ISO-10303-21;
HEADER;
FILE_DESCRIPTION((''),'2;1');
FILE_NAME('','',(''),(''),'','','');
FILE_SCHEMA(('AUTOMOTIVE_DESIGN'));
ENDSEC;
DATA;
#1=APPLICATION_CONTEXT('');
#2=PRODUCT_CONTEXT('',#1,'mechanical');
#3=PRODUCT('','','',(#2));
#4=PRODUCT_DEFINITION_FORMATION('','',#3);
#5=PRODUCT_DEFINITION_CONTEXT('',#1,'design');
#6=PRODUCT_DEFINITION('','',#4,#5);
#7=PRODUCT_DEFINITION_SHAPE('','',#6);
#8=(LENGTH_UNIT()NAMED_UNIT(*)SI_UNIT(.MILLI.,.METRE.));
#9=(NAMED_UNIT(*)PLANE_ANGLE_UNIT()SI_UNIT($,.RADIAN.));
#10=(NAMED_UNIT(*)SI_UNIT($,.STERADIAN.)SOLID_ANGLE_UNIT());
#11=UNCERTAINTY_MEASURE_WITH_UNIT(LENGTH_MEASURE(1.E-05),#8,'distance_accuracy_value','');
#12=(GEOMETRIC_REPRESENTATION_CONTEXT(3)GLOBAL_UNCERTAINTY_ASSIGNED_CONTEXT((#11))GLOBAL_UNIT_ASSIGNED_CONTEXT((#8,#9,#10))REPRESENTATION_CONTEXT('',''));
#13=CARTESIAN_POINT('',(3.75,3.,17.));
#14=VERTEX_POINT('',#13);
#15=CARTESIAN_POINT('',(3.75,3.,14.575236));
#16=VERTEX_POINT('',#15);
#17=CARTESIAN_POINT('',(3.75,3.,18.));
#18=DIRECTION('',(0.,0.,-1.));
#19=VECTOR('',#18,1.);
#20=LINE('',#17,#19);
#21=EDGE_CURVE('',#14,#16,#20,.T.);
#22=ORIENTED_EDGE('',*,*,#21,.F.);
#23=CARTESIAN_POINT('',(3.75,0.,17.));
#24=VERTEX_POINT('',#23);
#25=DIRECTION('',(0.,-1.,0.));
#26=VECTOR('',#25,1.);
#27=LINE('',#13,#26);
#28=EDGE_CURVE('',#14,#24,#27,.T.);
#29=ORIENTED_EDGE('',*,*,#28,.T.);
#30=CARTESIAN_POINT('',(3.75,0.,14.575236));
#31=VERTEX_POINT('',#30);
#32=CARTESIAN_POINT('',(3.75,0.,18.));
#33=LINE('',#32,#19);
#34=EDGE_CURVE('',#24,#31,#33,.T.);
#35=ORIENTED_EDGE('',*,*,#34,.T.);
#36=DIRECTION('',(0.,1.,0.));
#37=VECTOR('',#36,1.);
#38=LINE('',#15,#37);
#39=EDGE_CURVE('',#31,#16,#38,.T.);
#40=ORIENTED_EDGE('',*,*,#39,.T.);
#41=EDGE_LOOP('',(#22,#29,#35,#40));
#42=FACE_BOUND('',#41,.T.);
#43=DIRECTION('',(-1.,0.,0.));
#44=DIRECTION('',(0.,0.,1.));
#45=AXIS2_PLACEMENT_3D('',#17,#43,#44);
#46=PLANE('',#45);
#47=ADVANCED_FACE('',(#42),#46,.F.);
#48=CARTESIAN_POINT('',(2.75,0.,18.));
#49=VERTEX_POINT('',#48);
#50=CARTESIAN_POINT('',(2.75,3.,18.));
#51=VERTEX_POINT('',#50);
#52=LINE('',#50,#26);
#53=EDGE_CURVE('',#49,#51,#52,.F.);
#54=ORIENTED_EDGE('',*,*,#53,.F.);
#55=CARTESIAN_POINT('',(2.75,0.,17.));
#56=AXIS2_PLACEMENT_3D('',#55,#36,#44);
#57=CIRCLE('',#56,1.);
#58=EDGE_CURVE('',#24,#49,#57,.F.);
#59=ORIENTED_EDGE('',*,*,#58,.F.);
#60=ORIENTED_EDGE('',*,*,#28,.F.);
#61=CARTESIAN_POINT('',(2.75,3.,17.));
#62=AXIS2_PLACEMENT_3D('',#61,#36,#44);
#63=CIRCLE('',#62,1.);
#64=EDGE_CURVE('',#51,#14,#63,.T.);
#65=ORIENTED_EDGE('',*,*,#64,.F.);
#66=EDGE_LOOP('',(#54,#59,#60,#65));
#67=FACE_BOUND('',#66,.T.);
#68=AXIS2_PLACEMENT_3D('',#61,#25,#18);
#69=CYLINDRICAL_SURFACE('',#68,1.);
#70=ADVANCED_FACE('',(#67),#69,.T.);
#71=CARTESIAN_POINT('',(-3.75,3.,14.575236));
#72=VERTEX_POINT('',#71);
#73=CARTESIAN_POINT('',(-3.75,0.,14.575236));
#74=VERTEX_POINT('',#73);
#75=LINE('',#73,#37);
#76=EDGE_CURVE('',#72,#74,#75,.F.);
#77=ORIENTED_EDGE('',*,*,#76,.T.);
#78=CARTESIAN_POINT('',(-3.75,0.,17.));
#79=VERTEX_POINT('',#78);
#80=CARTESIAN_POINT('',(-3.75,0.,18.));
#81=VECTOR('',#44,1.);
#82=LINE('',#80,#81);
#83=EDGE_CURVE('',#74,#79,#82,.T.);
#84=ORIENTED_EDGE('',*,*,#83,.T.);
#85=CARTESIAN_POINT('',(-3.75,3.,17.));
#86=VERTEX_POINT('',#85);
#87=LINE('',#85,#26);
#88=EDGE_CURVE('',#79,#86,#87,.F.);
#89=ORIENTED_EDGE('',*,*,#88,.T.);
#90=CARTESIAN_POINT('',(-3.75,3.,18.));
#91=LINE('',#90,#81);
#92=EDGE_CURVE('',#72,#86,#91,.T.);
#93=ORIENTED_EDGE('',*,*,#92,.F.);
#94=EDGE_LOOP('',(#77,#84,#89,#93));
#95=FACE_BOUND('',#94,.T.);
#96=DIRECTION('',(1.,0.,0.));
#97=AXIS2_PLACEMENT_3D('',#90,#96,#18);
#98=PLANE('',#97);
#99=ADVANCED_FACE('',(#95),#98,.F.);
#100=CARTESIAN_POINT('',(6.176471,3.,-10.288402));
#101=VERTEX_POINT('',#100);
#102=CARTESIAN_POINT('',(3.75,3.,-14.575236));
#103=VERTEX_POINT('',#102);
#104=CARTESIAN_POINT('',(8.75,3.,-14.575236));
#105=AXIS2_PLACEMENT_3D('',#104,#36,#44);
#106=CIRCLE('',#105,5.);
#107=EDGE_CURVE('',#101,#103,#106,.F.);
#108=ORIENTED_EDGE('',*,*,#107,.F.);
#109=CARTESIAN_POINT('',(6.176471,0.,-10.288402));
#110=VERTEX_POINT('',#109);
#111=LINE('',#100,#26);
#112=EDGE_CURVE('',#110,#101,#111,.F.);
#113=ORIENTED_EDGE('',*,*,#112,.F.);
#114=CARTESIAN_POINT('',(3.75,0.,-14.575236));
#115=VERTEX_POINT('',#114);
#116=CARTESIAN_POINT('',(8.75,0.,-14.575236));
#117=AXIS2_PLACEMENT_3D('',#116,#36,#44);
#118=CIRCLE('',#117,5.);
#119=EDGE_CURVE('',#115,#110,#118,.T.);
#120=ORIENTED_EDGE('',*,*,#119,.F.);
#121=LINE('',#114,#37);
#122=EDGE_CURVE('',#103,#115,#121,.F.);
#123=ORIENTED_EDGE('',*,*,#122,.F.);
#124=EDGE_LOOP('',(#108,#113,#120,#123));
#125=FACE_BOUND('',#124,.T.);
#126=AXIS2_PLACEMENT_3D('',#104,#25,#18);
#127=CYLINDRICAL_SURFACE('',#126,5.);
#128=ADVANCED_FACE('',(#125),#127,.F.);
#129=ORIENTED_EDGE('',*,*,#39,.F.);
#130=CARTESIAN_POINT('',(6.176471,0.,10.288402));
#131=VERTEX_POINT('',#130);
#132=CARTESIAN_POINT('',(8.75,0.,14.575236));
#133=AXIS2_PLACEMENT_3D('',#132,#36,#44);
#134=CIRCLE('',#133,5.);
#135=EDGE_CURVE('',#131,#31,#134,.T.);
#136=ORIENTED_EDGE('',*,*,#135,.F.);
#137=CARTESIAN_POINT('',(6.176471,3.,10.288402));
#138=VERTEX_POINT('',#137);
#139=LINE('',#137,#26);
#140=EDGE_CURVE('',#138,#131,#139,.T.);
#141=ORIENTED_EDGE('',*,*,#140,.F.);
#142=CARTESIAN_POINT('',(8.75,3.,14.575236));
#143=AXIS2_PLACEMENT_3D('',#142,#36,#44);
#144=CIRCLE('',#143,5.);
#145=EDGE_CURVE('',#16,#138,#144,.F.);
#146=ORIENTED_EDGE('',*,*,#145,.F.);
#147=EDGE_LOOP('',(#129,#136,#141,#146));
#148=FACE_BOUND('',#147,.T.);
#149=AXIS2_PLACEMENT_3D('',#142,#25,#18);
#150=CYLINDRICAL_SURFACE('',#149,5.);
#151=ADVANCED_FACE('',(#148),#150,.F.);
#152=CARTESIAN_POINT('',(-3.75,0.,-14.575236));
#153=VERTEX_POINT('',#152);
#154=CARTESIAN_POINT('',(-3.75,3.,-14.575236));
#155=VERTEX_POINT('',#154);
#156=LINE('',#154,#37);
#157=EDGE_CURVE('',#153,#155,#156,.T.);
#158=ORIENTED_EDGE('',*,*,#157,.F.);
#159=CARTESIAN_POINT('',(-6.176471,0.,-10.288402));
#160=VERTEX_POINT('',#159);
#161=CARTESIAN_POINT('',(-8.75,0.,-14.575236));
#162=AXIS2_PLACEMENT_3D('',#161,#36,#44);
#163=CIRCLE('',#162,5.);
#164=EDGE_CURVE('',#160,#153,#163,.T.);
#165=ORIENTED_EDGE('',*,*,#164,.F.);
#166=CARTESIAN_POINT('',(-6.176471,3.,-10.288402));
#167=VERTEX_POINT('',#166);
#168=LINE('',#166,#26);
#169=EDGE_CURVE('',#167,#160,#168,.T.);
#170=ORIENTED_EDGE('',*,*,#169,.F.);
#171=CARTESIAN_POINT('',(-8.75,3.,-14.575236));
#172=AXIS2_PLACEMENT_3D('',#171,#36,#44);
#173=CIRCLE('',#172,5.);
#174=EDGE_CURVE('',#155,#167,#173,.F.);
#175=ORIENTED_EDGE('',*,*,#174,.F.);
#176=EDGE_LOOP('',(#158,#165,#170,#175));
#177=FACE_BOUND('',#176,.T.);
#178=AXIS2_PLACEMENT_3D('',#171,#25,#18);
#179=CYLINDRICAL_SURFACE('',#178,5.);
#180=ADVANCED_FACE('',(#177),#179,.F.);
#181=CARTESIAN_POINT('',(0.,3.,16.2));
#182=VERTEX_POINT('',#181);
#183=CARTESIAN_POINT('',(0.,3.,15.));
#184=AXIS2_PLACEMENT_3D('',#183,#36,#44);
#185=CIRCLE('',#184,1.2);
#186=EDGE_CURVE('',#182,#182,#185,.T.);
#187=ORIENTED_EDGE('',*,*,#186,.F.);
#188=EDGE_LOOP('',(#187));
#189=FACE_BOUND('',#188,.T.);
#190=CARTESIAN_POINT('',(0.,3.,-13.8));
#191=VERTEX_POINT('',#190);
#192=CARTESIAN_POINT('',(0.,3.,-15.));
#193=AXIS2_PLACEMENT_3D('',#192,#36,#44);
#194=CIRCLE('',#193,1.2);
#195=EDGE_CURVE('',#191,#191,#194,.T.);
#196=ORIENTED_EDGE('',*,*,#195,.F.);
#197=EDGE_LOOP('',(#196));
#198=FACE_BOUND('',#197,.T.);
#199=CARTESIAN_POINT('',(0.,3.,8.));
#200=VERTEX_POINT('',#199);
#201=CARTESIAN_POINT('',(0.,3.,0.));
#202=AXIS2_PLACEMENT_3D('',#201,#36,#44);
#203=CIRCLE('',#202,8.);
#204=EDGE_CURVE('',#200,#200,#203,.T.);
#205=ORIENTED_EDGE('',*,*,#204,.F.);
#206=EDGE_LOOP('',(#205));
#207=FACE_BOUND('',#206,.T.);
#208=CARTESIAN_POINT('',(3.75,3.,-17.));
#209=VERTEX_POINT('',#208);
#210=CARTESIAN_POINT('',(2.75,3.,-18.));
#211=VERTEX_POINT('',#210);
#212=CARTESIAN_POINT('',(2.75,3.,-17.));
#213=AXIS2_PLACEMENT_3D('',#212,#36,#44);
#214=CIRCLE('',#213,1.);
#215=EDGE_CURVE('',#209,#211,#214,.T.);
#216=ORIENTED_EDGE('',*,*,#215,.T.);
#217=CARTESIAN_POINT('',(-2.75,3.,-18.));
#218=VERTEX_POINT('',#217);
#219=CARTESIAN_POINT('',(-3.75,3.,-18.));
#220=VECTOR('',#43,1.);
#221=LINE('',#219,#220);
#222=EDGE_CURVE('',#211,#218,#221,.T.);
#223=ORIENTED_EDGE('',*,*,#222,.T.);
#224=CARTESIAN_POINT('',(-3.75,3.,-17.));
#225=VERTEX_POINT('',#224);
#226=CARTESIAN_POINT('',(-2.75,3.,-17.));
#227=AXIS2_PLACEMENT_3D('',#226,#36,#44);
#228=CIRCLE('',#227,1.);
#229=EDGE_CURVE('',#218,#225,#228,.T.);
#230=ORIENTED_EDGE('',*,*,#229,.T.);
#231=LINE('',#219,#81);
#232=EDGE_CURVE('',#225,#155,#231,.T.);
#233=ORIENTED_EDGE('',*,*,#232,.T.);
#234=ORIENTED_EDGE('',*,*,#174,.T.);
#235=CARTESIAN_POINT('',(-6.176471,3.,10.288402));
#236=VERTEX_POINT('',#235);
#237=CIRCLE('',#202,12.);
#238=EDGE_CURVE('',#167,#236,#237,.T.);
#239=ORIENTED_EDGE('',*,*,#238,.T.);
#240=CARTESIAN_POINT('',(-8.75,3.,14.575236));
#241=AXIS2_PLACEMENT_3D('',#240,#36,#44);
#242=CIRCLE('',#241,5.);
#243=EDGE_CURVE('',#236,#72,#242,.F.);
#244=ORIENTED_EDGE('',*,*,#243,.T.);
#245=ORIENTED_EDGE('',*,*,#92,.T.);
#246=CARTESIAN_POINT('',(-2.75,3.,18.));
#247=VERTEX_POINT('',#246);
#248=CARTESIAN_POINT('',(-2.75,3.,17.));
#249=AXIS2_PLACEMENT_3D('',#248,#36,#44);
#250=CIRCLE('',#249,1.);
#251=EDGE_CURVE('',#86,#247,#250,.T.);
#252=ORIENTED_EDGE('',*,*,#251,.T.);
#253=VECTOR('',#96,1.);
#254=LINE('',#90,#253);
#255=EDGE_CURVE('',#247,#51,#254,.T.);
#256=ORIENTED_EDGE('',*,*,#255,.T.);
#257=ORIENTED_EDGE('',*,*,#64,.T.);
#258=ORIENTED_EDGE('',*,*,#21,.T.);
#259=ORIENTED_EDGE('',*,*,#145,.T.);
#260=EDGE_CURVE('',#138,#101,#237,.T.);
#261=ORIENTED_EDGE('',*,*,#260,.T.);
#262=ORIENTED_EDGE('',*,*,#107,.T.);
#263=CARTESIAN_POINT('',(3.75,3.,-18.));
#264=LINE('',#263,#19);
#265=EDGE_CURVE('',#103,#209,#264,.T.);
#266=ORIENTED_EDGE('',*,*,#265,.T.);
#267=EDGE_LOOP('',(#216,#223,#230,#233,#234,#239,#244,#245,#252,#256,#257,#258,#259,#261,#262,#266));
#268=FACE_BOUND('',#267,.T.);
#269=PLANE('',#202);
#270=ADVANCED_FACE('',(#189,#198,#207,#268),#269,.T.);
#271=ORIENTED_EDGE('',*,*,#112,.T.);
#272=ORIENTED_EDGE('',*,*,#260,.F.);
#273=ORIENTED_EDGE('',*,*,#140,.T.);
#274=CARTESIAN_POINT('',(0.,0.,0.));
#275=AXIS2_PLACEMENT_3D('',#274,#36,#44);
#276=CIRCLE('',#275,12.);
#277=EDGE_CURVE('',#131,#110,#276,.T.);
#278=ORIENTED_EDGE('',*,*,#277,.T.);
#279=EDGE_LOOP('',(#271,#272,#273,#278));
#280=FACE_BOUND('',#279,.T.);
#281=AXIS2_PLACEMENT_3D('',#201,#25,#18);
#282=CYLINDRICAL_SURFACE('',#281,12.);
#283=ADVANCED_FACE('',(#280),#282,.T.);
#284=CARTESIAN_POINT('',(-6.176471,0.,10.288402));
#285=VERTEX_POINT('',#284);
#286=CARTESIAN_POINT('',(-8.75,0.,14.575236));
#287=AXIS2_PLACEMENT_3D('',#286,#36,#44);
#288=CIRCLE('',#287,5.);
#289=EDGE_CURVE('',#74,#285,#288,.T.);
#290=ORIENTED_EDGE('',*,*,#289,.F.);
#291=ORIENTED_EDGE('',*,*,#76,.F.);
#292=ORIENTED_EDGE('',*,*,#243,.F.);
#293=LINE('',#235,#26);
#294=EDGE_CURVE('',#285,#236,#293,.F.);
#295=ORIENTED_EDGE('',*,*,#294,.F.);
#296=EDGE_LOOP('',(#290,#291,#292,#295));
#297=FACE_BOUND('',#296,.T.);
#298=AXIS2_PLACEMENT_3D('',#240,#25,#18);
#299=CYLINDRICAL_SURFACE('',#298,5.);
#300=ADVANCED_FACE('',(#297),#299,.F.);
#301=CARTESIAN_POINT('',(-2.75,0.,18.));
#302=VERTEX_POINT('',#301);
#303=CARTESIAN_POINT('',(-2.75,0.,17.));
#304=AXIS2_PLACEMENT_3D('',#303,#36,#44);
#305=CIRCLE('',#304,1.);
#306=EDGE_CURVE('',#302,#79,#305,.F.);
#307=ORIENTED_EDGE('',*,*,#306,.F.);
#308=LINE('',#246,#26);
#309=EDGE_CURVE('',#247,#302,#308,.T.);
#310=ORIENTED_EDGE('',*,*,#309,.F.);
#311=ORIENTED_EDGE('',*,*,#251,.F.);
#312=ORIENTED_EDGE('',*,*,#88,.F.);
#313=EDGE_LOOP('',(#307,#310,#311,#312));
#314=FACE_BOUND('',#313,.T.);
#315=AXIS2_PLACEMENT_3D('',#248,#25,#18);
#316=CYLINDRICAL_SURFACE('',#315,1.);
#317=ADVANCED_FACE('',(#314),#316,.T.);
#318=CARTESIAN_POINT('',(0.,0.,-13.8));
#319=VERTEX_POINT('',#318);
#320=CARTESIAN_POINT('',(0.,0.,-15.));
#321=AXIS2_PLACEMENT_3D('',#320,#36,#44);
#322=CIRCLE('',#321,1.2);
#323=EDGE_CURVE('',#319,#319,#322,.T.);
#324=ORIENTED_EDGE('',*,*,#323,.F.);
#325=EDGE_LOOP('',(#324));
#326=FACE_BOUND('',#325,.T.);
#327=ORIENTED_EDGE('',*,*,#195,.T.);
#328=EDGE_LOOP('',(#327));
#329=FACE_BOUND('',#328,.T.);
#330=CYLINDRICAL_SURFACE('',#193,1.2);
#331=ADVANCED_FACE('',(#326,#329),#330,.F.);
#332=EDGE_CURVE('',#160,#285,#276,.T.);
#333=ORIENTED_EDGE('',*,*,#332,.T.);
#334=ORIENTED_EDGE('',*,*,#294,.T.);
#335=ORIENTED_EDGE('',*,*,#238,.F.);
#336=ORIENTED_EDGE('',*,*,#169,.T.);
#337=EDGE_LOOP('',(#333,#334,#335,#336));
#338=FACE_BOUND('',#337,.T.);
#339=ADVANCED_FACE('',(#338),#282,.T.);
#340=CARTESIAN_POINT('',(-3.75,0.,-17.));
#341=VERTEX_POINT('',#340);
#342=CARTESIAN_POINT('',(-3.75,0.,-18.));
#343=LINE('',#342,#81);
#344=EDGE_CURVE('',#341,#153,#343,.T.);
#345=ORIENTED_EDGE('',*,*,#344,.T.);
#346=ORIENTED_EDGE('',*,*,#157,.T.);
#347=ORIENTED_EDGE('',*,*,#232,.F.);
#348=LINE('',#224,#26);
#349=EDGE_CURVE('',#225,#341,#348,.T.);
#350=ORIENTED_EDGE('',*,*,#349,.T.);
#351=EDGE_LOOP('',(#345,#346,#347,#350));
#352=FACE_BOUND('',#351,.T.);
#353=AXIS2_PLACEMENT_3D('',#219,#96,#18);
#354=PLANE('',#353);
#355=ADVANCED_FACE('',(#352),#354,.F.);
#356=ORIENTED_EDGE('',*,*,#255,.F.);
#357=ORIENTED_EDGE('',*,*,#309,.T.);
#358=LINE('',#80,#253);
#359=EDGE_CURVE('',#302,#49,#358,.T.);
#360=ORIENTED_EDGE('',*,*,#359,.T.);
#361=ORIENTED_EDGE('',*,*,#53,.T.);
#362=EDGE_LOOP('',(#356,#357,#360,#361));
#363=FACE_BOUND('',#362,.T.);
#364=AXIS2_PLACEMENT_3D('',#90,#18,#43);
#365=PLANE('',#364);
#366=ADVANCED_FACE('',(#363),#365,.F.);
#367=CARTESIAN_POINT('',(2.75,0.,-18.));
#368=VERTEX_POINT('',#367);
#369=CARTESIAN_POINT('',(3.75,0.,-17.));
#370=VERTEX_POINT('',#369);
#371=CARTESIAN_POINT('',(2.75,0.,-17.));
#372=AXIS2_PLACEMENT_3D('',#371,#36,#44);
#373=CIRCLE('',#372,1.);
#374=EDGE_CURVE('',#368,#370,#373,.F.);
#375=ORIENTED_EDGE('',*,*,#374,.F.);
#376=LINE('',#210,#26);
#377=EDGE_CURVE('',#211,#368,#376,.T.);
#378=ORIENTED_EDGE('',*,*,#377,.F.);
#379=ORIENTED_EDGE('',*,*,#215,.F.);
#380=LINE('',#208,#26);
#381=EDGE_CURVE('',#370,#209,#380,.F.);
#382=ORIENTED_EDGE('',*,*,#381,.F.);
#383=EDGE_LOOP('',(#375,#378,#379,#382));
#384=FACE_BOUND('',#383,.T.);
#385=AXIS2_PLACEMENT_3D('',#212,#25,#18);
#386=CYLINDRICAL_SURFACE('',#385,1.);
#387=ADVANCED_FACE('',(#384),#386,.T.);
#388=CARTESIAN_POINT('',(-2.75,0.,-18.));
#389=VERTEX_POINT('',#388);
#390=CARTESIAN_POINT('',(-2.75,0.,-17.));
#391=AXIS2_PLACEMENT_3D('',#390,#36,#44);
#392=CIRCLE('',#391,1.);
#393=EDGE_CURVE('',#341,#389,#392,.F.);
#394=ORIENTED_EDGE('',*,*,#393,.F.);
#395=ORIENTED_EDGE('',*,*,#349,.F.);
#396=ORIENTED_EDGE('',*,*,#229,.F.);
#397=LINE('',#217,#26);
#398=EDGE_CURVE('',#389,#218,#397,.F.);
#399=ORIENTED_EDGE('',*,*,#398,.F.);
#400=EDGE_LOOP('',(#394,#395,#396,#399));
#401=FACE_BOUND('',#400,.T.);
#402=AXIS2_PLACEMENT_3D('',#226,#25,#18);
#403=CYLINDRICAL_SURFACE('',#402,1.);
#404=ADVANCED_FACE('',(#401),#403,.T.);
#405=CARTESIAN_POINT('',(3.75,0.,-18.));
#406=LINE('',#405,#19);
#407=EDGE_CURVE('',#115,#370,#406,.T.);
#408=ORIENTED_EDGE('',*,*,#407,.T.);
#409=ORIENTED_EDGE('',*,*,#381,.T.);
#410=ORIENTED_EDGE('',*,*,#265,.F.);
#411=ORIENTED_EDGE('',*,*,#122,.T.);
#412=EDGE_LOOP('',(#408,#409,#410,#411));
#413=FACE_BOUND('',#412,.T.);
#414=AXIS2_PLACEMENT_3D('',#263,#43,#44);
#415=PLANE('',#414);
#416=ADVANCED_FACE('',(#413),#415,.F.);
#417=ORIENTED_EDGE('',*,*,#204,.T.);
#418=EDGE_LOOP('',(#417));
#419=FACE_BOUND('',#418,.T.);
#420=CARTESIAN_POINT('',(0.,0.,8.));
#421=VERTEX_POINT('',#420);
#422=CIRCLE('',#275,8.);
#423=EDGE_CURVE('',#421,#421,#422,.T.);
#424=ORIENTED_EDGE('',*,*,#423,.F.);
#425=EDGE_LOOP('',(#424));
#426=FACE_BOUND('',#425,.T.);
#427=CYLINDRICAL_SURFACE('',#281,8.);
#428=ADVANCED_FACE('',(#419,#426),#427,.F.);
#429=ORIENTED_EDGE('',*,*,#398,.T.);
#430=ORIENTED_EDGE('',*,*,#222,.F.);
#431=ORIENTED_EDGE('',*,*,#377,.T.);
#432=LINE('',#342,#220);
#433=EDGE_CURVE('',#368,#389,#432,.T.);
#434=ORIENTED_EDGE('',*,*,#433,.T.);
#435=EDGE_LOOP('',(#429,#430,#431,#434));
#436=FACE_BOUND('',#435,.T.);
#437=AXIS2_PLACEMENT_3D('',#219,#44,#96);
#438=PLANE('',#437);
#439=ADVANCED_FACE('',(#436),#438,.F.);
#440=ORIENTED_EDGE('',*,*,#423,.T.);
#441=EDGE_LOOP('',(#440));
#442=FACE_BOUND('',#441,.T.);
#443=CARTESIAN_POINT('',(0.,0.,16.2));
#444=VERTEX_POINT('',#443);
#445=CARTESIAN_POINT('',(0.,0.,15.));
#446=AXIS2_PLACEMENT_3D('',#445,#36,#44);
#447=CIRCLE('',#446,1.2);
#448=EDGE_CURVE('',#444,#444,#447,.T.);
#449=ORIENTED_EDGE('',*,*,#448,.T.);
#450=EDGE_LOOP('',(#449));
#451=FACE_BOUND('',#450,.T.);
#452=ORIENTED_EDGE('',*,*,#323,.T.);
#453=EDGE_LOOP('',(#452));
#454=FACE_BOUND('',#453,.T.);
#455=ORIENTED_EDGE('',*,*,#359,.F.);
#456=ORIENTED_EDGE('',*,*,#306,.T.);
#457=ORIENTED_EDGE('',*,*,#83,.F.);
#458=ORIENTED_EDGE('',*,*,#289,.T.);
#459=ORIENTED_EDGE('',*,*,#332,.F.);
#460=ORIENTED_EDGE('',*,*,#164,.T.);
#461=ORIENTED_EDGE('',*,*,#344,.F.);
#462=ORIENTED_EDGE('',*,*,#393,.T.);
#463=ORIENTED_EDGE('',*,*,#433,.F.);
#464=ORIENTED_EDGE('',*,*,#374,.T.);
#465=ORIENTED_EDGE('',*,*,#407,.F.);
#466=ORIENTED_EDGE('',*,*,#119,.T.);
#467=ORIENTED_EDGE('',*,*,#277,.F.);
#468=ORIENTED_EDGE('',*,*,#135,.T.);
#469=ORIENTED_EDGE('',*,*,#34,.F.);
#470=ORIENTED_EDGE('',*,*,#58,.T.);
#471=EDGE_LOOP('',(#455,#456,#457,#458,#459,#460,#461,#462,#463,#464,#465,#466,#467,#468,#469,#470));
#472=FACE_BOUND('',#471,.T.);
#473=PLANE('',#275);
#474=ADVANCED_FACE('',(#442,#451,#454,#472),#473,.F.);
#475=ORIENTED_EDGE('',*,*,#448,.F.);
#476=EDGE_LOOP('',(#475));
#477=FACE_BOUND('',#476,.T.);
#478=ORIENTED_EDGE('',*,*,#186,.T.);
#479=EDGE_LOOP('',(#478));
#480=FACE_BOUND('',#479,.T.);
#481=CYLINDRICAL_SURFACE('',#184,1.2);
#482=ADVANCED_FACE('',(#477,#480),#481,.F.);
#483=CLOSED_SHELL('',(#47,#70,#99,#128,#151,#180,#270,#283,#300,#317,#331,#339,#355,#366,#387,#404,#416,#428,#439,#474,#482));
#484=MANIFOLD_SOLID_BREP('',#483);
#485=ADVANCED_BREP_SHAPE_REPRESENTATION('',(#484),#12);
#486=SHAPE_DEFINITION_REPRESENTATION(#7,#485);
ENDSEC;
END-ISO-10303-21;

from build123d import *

# Parameters (mm, degrees)
SKETCH1_R            = 8
BOSS_EXTRUDE1_DEPTH  = 3
M2_CLEARANCE_HOLE1_D = 2.4
FILLET1_R            = 5
FILLET2_R            = 1


with BuildPart() as part:
    # Sketch1 → Boss-Extrude1 (new body)
    with BuildSketch(Plane(origin=(0, 0, 0), x_dir=(1, 0, 0), z_dir=(0, 1, 0))):
        with BuildLine():
            Line((-3.75, 18), (3.75, 18))
            Line((3.75, 18), (3.75, 11.399013115))
            ThreePointArc((3.75, 11.399013115), (12, 0), (3.75, -11.399013115))
            Line((3.75, -11.399013115), (3.75, -18))
            Line((3.75, -18), (-3.75, -18))
            Line((-3.75, -18), (-3.75, -11.399013115))
            ThreePointArc((-3.75, -11.399013115), (-12, 0), (-3.75, 11.399013115))
            Line((-3.75, 11.399013115), (-3.75, 18))
        make_face()
        Circle(SKETCH1_R, mode=Mode.SUBTRACT)
    extrude(amount=BOSS_EXTRUDE1_DEPTH)

    # M2 Clearance Hole1 (through all)
    with Locations(Plane(origin=(0, 3, 0), x_dir=(1, 0, 0), z_dir=(0, 1, 0))):
        with Locations((0, -15), (0, 15)):
            Hole(M2_CLEARANCE_HOLE1_D / 2)

    # Fillet1
    fillet1_edges = [part.edges().sort_by_distance(p)[0] for p in [
        (3.75, 1.5, -11.399013115),
        (3.75, 1.5, 11.399013115),
        (-3.75, 1.5, 11.399013115),
        (-3.75, 1.5, -11.399013115),
    ]]
    fillet(fillet1_edges, radius=FILLET1_R)

    # Fillet2
    fillet2_edges = [part.edges().sort_by_distance(p)[0] for p in [
        (3.75, 1.5, 18),
        (-3.75, 1.5, 18),
        (-3.75, 1.5, -18),
        (3.75, 1.5, -18),
    ]]
    fillet(fillet2_edges, radius=FILLET2_R)


solid = part.part
